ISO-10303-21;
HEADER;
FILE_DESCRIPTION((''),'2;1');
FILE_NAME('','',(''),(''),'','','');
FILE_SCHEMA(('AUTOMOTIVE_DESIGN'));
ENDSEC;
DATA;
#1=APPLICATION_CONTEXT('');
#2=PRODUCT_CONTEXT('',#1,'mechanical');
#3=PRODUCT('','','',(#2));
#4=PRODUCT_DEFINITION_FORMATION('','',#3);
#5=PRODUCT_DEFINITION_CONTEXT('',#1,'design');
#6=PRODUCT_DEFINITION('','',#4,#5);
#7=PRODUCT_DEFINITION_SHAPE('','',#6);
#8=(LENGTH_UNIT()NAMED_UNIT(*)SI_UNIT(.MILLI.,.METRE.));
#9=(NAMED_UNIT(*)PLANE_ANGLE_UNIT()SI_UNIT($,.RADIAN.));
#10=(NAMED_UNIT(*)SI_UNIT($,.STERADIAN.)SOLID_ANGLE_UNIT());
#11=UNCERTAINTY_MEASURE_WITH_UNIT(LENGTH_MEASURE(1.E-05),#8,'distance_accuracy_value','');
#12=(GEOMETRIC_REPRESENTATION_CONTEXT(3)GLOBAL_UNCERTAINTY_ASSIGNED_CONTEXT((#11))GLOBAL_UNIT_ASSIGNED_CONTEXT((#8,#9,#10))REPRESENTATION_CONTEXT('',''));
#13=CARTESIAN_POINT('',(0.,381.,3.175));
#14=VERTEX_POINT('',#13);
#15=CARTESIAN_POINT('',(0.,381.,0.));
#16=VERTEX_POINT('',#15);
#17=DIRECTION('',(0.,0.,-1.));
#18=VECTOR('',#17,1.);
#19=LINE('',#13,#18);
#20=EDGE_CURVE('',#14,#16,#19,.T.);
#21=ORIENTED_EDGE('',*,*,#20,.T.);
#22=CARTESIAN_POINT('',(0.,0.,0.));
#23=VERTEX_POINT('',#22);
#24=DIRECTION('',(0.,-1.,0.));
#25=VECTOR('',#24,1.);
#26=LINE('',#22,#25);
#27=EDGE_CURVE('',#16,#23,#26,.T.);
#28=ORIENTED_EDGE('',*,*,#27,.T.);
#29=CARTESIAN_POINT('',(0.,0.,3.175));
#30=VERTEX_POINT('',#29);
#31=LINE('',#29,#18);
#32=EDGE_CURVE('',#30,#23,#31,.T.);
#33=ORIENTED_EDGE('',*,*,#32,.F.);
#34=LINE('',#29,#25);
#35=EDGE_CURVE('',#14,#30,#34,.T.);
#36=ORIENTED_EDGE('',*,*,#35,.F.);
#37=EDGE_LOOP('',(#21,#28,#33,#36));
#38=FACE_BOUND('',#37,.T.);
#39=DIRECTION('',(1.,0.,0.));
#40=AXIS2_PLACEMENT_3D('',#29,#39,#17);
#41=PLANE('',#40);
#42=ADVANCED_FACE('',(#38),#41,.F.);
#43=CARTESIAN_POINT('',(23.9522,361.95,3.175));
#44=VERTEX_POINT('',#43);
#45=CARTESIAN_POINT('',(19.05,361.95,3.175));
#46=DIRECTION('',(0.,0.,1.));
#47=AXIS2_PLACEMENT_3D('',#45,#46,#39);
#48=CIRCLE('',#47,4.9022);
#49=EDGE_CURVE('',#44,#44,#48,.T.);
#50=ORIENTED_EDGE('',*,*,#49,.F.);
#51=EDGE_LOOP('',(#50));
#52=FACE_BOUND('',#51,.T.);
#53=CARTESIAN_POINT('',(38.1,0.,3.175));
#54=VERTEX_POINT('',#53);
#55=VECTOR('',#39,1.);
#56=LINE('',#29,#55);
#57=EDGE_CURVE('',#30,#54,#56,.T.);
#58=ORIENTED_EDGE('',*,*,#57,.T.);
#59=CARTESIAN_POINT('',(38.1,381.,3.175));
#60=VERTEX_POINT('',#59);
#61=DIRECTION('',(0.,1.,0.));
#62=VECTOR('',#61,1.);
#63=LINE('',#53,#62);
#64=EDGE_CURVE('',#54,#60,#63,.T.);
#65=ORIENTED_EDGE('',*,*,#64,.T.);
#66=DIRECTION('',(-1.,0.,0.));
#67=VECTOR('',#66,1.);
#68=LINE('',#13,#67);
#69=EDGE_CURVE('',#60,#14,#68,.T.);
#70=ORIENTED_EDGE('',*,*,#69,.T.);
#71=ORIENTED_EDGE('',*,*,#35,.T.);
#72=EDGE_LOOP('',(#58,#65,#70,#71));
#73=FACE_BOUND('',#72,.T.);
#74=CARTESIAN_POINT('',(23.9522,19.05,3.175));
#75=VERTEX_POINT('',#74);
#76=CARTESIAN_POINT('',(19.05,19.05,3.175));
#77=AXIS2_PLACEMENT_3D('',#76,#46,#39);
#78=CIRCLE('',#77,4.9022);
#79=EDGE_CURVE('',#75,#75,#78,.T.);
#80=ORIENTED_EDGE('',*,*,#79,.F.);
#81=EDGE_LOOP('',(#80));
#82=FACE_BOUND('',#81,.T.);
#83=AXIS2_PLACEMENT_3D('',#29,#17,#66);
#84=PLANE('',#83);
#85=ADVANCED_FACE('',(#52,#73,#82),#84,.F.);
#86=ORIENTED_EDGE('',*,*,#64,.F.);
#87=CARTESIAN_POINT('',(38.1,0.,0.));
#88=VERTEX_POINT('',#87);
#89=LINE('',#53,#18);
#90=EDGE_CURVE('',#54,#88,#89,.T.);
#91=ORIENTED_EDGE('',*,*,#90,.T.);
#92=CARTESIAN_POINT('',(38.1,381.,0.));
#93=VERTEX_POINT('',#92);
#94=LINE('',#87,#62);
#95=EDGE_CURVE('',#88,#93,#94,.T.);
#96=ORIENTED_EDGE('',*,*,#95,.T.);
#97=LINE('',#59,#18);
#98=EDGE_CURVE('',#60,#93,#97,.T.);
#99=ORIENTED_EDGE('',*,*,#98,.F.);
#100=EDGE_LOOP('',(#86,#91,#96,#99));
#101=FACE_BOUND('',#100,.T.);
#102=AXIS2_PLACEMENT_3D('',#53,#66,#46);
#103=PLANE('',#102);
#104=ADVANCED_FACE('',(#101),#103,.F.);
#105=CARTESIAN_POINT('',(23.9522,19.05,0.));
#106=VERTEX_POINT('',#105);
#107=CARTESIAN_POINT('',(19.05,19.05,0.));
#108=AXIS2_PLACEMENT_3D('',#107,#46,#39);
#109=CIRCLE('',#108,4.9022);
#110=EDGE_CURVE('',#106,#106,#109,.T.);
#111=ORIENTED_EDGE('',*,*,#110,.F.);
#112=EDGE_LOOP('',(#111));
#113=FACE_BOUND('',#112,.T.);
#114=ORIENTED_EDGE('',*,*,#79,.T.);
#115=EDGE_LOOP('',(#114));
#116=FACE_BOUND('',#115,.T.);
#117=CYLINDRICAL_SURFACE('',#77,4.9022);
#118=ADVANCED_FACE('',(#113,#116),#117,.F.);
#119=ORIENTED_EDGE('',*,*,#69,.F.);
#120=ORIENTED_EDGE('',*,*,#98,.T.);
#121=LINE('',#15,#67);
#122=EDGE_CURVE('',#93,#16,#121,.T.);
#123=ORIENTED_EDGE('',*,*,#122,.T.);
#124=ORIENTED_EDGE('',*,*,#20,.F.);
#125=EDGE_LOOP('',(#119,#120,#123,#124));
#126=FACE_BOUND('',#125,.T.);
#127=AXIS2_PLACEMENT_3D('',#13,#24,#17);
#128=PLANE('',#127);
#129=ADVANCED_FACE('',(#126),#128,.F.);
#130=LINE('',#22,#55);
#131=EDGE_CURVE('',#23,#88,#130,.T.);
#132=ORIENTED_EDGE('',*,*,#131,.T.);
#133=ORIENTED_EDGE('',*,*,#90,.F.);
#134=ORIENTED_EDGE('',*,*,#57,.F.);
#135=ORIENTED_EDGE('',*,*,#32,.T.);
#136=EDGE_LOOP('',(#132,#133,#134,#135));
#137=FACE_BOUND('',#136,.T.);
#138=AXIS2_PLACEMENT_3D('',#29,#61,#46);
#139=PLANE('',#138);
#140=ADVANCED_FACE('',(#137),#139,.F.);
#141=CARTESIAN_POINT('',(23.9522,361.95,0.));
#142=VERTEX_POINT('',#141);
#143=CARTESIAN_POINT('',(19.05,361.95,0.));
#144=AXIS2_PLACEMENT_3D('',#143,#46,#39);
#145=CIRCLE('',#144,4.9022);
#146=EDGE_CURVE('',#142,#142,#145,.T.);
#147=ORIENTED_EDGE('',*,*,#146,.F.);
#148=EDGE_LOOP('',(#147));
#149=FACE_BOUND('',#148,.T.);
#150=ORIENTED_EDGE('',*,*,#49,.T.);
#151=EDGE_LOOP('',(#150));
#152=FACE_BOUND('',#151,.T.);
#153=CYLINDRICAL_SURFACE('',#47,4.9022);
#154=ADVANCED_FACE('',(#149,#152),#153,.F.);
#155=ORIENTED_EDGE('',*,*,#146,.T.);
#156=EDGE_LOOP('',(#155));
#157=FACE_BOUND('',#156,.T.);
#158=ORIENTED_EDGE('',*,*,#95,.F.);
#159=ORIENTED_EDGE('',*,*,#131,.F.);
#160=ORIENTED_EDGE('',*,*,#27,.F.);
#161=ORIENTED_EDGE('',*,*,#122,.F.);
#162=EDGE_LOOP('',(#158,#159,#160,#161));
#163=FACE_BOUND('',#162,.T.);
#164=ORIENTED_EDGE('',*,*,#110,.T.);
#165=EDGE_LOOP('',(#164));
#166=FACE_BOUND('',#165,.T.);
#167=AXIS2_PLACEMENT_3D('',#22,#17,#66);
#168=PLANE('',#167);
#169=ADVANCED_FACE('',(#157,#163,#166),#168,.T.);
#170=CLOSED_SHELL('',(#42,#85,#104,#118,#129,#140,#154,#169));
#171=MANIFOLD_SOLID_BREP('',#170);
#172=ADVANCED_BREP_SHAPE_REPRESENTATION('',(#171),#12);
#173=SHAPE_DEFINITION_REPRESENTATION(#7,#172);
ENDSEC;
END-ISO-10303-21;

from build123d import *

# Parameters (mm, degrees)
SKETCH1_W                = 38.1
SKETCH1_H                = 381
BOSS_EXTRUDE1_DEPTH      = 3.175
W_0_386_DIAMETER_HOLE1_D = 9.8044


with BuildPart() as part:
    # Sketch1 → Boss-Extrude1 (new body)
    with BuildSketch(Plane.XY):
        with Locations((19.05, 190.5)):
            Rectangle(SKETCH1_W, SKETCH1_H)
    extrude(amount=BOSS_EXTRUDE1_DEPTH)

    # W (0.386) Diameter Hole1 (through all)
    with Locations(Plane.XY.offset(3.175)):
        with Locations((19.05, 361.95), (19.05, 19.05)):
            Hole(W_0_386_DIAMETER_HOLE1_D / 2)


solid = part.part
